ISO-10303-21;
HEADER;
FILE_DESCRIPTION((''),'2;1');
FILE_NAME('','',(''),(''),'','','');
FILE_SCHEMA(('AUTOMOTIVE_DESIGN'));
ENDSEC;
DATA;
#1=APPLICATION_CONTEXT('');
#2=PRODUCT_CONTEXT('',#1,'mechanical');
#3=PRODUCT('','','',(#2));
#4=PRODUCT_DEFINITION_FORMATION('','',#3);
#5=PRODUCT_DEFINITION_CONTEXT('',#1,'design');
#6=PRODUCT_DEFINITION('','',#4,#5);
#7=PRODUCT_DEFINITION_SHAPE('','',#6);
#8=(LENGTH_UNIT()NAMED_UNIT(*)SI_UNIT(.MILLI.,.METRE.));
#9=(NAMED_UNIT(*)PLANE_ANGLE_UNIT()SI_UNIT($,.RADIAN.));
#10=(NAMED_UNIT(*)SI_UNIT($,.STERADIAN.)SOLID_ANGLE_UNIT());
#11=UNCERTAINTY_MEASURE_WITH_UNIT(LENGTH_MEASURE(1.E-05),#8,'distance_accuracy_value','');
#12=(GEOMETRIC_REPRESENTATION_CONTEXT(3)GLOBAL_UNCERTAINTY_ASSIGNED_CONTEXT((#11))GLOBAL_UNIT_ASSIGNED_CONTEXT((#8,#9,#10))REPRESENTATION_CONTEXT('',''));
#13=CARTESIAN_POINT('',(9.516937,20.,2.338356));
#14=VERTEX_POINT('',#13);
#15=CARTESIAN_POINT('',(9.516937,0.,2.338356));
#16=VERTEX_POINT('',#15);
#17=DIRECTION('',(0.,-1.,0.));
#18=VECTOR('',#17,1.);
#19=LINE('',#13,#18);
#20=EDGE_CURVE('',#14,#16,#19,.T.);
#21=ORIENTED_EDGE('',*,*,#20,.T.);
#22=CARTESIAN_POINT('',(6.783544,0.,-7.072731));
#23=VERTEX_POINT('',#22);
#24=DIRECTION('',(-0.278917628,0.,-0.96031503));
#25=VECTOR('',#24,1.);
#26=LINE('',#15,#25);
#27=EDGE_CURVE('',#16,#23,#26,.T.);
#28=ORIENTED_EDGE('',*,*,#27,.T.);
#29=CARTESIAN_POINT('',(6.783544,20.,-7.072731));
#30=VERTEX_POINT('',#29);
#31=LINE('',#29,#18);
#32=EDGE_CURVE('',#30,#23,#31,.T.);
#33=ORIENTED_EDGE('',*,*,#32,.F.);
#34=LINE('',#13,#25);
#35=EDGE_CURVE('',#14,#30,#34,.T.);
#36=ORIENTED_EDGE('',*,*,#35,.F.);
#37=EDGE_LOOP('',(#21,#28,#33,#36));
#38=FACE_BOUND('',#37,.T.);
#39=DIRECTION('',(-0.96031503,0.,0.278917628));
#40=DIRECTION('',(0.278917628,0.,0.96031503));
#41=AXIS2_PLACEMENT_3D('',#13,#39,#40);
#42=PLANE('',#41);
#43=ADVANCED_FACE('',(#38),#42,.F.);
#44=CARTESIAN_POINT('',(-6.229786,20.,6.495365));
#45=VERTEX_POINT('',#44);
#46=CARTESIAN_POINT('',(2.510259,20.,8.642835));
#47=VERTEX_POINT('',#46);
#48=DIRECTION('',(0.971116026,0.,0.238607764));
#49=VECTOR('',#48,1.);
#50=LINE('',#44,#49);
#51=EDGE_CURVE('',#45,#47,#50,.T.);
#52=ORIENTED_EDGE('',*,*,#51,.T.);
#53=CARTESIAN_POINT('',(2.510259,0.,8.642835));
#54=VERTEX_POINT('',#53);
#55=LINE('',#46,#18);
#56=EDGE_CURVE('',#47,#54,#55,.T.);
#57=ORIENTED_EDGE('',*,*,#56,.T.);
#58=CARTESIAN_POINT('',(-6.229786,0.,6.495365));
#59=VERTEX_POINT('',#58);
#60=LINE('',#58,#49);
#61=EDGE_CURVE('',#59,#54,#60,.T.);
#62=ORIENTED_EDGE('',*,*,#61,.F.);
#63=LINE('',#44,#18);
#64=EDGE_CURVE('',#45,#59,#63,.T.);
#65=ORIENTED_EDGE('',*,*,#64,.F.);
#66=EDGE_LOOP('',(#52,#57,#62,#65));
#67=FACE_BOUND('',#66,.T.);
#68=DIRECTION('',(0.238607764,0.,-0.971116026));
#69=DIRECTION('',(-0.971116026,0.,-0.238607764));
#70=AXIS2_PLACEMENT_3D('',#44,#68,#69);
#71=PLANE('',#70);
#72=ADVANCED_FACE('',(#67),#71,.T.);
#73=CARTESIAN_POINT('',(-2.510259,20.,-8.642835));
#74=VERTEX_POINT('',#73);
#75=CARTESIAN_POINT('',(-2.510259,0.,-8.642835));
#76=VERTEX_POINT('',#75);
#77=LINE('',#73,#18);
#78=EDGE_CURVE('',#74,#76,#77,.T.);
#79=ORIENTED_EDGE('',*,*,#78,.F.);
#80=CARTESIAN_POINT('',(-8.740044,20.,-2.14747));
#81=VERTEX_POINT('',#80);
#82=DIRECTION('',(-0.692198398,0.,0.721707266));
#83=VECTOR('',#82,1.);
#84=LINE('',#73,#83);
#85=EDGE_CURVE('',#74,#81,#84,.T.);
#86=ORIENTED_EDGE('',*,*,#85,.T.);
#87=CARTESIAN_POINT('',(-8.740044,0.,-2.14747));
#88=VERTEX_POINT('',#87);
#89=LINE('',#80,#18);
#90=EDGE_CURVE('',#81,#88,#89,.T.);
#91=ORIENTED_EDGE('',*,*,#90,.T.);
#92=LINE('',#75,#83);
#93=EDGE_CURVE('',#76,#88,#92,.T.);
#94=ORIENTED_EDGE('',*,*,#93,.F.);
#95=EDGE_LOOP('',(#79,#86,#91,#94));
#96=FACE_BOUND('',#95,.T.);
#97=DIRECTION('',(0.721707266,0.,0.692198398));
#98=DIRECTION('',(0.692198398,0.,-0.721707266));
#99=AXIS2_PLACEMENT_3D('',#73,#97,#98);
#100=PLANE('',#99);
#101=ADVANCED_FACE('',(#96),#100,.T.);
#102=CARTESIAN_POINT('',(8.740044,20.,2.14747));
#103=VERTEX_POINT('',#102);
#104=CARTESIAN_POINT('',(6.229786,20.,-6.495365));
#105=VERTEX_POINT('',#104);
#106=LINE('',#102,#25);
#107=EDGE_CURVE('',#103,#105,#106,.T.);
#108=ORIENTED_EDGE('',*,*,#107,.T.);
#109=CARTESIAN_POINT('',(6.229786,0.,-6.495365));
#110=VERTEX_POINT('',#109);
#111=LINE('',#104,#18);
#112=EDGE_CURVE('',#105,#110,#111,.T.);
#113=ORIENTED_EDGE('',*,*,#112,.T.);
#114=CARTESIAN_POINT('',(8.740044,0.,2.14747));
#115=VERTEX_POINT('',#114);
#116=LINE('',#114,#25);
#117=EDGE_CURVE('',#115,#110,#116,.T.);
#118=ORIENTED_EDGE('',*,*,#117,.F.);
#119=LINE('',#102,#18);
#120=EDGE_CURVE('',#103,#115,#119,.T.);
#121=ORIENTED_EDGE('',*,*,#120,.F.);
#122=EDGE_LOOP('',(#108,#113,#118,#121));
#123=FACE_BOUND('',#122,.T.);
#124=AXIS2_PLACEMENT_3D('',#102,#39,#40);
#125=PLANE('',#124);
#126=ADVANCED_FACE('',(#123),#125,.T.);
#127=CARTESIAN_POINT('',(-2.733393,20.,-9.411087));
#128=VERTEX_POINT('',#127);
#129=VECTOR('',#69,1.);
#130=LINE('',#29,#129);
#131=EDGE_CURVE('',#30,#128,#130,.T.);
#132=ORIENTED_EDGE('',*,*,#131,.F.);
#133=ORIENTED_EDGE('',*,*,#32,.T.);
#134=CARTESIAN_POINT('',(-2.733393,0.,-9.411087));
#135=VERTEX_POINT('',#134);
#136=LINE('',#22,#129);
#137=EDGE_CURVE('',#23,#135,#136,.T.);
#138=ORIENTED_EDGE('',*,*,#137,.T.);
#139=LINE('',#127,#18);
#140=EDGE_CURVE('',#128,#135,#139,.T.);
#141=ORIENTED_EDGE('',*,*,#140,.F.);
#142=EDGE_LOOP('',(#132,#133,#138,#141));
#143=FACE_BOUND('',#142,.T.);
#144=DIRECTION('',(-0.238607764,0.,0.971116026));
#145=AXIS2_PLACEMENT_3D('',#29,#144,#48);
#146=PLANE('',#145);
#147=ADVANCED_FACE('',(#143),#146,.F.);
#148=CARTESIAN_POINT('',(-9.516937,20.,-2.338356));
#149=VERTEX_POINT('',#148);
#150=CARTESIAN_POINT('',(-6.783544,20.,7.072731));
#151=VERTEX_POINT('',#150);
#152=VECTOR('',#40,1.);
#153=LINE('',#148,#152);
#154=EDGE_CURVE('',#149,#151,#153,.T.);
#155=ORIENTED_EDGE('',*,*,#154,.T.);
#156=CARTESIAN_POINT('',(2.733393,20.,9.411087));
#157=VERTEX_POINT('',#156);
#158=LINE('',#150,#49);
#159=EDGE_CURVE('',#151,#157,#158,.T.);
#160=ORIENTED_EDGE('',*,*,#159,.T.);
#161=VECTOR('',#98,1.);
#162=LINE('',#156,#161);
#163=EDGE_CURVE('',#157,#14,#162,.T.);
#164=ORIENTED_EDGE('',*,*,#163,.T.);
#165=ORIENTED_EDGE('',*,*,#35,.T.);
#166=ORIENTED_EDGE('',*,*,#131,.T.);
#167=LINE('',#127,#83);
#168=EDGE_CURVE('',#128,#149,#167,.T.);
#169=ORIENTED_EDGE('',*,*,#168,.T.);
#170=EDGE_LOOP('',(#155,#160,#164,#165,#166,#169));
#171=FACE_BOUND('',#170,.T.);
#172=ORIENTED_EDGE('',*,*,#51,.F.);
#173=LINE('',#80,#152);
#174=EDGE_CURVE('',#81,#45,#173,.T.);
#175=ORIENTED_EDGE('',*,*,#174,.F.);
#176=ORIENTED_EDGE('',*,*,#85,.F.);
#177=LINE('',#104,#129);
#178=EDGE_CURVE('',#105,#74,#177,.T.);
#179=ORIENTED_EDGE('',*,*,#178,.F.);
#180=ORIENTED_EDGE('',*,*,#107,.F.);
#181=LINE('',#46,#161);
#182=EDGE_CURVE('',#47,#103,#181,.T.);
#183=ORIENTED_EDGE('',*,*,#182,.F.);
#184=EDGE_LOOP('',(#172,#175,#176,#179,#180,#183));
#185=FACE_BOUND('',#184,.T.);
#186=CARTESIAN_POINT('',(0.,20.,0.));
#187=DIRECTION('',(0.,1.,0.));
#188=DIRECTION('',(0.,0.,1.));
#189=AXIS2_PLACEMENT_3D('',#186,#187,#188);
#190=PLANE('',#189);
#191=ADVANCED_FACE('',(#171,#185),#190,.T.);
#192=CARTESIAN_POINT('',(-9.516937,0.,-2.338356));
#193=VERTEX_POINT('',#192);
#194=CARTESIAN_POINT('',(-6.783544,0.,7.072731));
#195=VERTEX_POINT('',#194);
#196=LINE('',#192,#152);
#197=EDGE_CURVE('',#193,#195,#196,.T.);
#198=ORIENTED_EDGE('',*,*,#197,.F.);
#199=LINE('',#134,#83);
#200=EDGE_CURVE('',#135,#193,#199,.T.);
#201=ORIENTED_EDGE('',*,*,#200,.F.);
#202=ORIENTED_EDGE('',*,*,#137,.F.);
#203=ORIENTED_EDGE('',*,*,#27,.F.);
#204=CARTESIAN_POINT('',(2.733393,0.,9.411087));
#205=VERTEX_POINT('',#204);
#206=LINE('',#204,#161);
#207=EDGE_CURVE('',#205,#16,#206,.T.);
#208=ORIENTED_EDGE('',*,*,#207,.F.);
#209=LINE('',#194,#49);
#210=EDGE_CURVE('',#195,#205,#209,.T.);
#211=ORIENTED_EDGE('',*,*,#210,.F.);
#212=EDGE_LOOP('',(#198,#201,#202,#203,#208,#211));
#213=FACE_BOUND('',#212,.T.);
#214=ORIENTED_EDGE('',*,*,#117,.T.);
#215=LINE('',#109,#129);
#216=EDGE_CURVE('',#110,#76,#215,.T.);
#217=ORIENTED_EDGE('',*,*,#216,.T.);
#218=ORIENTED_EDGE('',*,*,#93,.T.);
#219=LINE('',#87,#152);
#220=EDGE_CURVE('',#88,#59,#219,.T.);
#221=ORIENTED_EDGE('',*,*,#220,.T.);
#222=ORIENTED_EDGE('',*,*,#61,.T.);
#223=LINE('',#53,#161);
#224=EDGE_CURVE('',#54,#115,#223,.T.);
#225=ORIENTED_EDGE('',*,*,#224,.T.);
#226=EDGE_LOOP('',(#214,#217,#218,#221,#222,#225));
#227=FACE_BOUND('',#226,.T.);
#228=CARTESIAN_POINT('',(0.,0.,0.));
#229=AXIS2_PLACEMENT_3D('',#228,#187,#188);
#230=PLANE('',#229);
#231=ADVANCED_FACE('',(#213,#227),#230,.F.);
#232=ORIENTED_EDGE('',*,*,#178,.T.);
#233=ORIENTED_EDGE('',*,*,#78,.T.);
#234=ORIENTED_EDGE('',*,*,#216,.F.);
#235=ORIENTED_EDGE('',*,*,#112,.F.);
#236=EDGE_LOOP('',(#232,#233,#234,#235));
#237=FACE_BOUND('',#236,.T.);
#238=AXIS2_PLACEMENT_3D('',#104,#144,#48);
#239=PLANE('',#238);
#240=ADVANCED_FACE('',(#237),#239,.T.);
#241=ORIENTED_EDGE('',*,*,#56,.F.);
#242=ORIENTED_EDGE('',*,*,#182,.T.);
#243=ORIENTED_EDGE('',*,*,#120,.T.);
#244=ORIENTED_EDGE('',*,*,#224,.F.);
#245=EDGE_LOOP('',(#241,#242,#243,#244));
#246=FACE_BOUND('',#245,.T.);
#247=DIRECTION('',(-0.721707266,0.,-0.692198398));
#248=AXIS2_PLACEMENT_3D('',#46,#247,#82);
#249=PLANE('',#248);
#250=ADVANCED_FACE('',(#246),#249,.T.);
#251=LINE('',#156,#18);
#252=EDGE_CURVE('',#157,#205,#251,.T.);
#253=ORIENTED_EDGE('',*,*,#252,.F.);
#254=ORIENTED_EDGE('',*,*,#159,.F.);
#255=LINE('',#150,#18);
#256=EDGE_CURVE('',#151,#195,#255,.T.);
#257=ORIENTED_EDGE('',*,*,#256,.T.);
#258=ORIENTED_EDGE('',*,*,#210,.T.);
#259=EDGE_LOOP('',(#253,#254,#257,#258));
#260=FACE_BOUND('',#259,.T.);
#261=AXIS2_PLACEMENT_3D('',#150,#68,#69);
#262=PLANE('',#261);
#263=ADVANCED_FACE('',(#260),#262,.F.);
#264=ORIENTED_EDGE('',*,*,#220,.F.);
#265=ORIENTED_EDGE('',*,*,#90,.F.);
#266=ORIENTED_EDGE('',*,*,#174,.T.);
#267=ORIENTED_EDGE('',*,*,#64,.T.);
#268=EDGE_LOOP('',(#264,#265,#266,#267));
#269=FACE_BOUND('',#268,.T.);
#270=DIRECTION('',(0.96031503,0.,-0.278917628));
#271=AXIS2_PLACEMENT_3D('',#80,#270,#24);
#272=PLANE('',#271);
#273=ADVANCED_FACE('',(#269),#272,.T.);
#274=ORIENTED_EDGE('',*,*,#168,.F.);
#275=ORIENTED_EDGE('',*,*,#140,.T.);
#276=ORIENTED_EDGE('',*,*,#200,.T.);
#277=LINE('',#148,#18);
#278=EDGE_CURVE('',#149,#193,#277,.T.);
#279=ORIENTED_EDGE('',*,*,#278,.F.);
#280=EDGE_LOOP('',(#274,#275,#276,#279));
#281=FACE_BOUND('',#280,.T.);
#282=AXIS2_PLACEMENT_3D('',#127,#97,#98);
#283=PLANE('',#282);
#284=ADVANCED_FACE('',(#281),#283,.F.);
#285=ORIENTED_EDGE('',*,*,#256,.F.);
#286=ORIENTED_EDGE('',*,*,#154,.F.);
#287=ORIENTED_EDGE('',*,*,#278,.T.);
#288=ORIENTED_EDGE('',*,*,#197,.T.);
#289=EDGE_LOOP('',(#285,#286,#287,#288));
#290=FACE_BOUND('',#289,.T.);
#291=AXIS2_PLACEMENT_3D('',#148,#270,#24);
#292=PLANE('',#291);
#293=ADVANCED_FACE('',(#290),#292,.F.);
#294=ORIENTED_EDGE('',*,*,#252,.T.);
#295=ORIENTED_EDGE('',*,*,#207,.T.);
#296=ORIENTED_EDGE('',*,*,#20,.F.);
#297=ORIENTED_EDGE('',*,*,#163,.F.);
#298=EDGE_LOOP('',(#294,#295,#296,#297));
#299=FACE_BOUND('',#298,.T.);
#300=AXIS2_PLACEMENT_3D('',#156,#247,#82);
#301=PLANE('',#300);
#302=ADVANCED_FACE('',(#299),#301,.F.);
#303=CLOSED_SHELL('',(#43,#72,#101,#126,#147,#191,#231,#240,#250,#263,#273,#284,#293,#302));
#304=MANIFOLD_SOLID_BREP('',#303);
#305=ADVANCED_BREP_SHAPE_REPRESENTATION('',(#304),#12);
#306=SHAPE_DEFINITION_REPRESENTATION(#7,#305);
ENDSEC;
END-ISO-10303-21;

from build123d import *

# Parameters (mm, degrees)
BOSS_EXTRUDE1_DEPTH = 20


with BuildPart() as part:
    # Sketch1 → Boss-Extrude1 (new body)
    with BuildSketch(Plane(origin=(0, 0, 0), x_dir=(1, 0, 0), z_dir=(0, 1, 0))):
        Polygon((6.783544299, 7.072731208), (-2.733392751, 9.411087295), (-9.51693705, 2.338356086), (-6.783544299, -7.072731208), (2.733392751, -9.411087295), (9.51693705, -2.338356086), align=None)
        Polygon((2.510258649, -8.642835271), (8.74004423, -2.147469875), (6.229785581, 6.495365395), (-2.510258649, 8.642835271), (-8.74004423, 2.147469875), (-6.229785581, -6.495365395), align=None, mode=Mode.SUBTRACT)
    extrude(amount=BOSS_EXTRUDE1_DEPTH)


solid = part.part
